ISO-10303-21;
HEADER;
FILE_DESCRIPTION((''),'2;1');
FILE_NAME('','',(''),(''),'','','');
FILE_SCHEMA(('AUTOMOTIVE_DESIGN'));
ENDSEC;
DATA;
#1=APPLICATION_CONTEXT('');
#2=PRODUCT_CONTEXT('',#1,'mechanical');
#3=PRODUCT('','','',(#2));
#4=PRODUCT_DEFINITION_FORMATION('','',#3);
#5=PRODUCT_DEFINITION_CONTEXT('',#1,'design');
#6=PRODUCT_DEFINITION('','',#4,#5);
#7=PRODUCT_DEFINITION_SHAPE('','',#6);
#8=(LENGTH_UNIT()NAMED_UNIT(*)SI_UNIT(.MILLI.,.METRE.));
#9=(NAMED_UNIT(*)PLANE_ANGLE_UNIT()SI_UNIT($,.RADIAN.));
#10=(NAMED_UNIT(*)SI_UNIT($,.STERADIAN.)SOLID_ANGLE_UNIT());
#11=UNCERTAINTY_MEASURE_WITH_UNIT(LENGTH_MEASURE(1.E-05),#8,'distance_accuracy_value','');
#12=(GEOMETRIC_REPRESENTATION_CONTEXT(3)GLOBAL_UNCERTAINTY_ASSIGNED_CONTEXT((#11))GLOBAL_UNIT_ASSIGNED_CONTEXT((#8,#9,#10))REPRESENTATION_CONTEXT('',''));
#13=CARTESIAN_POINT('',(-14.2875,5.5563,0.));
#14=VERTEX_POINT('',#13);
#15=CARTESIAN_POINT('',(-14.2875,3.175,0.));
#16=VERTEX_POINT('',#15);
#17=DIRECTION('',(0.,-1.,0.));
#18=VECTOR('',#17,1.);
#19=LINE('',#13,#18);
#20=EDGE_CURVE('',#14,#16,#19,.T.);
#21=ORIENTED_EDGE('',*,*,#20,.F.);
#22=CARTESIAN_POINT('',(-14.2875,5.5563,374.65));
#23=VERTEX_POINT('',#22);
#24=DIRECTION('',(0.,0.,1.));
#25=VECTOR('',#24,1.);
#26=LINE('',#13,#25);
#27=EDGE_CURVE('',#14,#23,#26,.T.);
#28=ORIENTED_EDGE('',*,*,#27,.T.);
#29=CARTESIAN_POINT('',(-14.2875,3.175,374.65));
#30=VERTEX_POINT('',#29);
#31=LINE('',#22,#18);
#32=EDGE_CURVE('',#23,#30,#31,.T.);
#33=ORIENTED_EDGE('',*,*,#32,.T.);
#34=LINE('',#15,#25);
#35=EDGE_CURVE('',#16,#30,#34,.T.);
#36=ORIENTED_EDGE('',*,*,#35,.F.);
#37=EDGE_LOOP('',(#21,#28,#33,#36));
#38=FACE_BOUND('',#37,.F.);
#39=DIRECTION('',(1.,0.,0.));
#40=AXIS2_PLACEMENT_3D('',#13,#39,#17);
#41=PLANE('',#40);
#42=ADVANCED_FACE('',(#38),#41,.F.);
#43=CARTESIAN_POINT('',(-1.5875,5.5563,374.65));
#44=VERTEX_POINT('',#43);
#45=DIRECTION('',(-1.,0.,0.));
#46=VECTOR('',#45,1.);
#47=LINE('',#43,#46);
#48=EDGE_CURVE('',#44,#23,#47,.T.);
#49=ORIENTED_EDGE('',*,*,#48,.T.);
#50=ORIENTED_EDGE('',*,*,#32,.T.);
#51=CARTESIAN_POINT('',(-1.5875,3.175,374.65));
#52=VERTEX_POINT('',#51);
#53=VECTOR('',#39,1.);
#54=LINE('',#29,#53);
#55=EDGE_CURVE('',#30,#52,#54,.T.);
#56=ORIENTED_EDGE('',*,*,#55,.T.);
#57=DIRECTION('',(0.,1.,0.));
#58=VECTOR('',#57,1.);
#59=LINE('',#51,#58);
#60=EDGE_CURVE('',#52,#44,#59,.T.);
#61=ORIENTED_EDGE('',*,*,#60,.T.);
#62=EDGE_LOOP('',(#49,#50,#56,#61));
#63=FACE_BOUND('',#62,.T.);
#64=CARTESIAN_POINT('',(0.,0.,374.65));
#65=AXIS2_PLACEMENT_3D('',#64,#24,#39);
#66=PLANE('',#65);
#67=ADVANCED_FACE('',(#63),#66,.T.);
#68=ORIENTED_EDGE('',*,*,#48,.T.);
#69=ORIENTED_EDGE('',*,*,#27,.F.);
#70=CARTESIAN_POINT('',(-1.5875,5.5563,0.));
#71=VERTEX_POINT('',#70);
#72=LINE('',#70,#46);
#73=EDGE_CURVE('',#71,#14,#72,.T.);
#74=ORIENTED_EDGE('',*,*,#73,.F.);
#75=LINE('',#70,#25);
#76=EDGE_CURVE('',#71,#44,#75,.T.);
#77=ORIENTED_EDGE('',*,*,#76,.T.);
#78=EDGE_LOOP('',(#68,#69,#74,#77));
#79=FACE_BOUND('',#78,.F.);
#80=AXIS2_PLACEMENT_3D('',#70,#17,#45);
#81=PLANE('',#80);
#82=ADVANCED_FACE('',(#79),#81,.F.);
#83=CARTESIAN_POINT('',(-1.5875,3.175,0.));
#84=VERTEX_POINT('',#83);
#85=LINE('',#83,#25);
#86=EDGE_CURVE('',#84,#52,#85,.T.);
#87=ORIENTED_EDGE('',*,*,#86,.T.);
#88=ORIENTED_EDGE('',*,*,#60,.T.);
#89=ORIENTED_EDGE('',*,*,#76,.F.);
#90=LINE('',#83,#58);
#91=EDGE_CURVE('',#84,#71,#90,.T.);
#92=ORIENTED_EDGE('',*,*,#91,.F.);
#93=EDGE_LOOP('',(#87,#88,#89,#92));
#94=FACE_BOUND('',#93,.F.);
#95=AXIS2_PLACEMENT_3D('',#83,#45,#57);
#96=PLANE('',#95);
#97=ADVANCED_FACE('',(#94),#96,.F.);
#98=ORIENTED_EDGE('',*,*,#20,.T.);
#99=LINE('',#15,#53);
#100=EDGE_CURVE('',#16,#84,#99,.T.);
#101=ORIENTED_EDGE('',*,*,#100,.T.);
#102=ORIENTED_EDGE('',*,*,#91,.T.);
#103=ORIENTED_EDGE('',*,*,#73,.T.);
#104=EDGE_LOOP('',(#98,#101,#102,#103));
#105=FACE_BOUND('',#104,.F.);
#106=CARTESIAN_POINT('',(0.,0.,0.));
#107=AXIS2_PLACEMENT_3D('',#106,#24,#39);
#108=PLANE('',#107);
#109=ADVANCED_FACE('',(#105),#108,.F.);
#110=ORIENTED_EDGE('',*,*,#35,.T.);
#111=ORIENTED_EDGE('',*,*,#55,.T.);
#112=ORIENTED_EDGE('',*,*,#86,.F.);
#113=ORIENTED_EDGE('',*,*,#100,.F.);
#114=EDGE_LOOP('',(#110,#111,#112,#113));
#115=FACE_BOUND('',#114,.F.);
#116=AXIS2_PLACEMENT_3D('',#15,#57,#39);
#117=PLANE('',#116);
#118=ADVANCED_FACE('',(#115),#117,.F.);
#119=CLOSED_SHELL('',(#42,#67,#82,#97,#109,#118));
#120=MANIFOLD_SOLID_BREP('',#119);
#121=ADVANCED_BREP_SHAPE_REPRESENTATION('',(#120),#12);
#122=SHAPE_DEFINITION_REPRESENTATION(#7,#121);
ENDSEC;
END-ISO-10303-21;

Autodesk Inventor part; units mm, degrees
ref_plane "YZ Plane" through (0, 0, 0) normal (1, 0, 0) x (0, 1, 0)
ref_plane "XZ Plane" through (0, 0, 0) normal (0, 1, 0) x (-1, 0, 0)
ref_plane "XY Plane" through (0, 0, 0) normal (0, 0, 1) x (1, 0, 0)
sketch "Sketch1" plane through (0, 0, 0) normal (0, 0, 1) x (1, 0, 0)
  line L0 (-14.2875, 3.175) -> (-1.5875, 3.175)
  line L1 (-1.5875, 3.175) -> (-1.5875, 5.5563)
  line L2 (-1.5875, 5.5563) -> (-14.2875, 5.5563)
  line L3 (-14.2875, 5.5563) -> (-14.2875, 3.175)
  dimension "d0" = 2.3813
  dimension "d1" = 12.7
extrude "Extrusion1" add sketch "Sketch1" along normal blind 374.65
properties part number "FE-00018-04"
